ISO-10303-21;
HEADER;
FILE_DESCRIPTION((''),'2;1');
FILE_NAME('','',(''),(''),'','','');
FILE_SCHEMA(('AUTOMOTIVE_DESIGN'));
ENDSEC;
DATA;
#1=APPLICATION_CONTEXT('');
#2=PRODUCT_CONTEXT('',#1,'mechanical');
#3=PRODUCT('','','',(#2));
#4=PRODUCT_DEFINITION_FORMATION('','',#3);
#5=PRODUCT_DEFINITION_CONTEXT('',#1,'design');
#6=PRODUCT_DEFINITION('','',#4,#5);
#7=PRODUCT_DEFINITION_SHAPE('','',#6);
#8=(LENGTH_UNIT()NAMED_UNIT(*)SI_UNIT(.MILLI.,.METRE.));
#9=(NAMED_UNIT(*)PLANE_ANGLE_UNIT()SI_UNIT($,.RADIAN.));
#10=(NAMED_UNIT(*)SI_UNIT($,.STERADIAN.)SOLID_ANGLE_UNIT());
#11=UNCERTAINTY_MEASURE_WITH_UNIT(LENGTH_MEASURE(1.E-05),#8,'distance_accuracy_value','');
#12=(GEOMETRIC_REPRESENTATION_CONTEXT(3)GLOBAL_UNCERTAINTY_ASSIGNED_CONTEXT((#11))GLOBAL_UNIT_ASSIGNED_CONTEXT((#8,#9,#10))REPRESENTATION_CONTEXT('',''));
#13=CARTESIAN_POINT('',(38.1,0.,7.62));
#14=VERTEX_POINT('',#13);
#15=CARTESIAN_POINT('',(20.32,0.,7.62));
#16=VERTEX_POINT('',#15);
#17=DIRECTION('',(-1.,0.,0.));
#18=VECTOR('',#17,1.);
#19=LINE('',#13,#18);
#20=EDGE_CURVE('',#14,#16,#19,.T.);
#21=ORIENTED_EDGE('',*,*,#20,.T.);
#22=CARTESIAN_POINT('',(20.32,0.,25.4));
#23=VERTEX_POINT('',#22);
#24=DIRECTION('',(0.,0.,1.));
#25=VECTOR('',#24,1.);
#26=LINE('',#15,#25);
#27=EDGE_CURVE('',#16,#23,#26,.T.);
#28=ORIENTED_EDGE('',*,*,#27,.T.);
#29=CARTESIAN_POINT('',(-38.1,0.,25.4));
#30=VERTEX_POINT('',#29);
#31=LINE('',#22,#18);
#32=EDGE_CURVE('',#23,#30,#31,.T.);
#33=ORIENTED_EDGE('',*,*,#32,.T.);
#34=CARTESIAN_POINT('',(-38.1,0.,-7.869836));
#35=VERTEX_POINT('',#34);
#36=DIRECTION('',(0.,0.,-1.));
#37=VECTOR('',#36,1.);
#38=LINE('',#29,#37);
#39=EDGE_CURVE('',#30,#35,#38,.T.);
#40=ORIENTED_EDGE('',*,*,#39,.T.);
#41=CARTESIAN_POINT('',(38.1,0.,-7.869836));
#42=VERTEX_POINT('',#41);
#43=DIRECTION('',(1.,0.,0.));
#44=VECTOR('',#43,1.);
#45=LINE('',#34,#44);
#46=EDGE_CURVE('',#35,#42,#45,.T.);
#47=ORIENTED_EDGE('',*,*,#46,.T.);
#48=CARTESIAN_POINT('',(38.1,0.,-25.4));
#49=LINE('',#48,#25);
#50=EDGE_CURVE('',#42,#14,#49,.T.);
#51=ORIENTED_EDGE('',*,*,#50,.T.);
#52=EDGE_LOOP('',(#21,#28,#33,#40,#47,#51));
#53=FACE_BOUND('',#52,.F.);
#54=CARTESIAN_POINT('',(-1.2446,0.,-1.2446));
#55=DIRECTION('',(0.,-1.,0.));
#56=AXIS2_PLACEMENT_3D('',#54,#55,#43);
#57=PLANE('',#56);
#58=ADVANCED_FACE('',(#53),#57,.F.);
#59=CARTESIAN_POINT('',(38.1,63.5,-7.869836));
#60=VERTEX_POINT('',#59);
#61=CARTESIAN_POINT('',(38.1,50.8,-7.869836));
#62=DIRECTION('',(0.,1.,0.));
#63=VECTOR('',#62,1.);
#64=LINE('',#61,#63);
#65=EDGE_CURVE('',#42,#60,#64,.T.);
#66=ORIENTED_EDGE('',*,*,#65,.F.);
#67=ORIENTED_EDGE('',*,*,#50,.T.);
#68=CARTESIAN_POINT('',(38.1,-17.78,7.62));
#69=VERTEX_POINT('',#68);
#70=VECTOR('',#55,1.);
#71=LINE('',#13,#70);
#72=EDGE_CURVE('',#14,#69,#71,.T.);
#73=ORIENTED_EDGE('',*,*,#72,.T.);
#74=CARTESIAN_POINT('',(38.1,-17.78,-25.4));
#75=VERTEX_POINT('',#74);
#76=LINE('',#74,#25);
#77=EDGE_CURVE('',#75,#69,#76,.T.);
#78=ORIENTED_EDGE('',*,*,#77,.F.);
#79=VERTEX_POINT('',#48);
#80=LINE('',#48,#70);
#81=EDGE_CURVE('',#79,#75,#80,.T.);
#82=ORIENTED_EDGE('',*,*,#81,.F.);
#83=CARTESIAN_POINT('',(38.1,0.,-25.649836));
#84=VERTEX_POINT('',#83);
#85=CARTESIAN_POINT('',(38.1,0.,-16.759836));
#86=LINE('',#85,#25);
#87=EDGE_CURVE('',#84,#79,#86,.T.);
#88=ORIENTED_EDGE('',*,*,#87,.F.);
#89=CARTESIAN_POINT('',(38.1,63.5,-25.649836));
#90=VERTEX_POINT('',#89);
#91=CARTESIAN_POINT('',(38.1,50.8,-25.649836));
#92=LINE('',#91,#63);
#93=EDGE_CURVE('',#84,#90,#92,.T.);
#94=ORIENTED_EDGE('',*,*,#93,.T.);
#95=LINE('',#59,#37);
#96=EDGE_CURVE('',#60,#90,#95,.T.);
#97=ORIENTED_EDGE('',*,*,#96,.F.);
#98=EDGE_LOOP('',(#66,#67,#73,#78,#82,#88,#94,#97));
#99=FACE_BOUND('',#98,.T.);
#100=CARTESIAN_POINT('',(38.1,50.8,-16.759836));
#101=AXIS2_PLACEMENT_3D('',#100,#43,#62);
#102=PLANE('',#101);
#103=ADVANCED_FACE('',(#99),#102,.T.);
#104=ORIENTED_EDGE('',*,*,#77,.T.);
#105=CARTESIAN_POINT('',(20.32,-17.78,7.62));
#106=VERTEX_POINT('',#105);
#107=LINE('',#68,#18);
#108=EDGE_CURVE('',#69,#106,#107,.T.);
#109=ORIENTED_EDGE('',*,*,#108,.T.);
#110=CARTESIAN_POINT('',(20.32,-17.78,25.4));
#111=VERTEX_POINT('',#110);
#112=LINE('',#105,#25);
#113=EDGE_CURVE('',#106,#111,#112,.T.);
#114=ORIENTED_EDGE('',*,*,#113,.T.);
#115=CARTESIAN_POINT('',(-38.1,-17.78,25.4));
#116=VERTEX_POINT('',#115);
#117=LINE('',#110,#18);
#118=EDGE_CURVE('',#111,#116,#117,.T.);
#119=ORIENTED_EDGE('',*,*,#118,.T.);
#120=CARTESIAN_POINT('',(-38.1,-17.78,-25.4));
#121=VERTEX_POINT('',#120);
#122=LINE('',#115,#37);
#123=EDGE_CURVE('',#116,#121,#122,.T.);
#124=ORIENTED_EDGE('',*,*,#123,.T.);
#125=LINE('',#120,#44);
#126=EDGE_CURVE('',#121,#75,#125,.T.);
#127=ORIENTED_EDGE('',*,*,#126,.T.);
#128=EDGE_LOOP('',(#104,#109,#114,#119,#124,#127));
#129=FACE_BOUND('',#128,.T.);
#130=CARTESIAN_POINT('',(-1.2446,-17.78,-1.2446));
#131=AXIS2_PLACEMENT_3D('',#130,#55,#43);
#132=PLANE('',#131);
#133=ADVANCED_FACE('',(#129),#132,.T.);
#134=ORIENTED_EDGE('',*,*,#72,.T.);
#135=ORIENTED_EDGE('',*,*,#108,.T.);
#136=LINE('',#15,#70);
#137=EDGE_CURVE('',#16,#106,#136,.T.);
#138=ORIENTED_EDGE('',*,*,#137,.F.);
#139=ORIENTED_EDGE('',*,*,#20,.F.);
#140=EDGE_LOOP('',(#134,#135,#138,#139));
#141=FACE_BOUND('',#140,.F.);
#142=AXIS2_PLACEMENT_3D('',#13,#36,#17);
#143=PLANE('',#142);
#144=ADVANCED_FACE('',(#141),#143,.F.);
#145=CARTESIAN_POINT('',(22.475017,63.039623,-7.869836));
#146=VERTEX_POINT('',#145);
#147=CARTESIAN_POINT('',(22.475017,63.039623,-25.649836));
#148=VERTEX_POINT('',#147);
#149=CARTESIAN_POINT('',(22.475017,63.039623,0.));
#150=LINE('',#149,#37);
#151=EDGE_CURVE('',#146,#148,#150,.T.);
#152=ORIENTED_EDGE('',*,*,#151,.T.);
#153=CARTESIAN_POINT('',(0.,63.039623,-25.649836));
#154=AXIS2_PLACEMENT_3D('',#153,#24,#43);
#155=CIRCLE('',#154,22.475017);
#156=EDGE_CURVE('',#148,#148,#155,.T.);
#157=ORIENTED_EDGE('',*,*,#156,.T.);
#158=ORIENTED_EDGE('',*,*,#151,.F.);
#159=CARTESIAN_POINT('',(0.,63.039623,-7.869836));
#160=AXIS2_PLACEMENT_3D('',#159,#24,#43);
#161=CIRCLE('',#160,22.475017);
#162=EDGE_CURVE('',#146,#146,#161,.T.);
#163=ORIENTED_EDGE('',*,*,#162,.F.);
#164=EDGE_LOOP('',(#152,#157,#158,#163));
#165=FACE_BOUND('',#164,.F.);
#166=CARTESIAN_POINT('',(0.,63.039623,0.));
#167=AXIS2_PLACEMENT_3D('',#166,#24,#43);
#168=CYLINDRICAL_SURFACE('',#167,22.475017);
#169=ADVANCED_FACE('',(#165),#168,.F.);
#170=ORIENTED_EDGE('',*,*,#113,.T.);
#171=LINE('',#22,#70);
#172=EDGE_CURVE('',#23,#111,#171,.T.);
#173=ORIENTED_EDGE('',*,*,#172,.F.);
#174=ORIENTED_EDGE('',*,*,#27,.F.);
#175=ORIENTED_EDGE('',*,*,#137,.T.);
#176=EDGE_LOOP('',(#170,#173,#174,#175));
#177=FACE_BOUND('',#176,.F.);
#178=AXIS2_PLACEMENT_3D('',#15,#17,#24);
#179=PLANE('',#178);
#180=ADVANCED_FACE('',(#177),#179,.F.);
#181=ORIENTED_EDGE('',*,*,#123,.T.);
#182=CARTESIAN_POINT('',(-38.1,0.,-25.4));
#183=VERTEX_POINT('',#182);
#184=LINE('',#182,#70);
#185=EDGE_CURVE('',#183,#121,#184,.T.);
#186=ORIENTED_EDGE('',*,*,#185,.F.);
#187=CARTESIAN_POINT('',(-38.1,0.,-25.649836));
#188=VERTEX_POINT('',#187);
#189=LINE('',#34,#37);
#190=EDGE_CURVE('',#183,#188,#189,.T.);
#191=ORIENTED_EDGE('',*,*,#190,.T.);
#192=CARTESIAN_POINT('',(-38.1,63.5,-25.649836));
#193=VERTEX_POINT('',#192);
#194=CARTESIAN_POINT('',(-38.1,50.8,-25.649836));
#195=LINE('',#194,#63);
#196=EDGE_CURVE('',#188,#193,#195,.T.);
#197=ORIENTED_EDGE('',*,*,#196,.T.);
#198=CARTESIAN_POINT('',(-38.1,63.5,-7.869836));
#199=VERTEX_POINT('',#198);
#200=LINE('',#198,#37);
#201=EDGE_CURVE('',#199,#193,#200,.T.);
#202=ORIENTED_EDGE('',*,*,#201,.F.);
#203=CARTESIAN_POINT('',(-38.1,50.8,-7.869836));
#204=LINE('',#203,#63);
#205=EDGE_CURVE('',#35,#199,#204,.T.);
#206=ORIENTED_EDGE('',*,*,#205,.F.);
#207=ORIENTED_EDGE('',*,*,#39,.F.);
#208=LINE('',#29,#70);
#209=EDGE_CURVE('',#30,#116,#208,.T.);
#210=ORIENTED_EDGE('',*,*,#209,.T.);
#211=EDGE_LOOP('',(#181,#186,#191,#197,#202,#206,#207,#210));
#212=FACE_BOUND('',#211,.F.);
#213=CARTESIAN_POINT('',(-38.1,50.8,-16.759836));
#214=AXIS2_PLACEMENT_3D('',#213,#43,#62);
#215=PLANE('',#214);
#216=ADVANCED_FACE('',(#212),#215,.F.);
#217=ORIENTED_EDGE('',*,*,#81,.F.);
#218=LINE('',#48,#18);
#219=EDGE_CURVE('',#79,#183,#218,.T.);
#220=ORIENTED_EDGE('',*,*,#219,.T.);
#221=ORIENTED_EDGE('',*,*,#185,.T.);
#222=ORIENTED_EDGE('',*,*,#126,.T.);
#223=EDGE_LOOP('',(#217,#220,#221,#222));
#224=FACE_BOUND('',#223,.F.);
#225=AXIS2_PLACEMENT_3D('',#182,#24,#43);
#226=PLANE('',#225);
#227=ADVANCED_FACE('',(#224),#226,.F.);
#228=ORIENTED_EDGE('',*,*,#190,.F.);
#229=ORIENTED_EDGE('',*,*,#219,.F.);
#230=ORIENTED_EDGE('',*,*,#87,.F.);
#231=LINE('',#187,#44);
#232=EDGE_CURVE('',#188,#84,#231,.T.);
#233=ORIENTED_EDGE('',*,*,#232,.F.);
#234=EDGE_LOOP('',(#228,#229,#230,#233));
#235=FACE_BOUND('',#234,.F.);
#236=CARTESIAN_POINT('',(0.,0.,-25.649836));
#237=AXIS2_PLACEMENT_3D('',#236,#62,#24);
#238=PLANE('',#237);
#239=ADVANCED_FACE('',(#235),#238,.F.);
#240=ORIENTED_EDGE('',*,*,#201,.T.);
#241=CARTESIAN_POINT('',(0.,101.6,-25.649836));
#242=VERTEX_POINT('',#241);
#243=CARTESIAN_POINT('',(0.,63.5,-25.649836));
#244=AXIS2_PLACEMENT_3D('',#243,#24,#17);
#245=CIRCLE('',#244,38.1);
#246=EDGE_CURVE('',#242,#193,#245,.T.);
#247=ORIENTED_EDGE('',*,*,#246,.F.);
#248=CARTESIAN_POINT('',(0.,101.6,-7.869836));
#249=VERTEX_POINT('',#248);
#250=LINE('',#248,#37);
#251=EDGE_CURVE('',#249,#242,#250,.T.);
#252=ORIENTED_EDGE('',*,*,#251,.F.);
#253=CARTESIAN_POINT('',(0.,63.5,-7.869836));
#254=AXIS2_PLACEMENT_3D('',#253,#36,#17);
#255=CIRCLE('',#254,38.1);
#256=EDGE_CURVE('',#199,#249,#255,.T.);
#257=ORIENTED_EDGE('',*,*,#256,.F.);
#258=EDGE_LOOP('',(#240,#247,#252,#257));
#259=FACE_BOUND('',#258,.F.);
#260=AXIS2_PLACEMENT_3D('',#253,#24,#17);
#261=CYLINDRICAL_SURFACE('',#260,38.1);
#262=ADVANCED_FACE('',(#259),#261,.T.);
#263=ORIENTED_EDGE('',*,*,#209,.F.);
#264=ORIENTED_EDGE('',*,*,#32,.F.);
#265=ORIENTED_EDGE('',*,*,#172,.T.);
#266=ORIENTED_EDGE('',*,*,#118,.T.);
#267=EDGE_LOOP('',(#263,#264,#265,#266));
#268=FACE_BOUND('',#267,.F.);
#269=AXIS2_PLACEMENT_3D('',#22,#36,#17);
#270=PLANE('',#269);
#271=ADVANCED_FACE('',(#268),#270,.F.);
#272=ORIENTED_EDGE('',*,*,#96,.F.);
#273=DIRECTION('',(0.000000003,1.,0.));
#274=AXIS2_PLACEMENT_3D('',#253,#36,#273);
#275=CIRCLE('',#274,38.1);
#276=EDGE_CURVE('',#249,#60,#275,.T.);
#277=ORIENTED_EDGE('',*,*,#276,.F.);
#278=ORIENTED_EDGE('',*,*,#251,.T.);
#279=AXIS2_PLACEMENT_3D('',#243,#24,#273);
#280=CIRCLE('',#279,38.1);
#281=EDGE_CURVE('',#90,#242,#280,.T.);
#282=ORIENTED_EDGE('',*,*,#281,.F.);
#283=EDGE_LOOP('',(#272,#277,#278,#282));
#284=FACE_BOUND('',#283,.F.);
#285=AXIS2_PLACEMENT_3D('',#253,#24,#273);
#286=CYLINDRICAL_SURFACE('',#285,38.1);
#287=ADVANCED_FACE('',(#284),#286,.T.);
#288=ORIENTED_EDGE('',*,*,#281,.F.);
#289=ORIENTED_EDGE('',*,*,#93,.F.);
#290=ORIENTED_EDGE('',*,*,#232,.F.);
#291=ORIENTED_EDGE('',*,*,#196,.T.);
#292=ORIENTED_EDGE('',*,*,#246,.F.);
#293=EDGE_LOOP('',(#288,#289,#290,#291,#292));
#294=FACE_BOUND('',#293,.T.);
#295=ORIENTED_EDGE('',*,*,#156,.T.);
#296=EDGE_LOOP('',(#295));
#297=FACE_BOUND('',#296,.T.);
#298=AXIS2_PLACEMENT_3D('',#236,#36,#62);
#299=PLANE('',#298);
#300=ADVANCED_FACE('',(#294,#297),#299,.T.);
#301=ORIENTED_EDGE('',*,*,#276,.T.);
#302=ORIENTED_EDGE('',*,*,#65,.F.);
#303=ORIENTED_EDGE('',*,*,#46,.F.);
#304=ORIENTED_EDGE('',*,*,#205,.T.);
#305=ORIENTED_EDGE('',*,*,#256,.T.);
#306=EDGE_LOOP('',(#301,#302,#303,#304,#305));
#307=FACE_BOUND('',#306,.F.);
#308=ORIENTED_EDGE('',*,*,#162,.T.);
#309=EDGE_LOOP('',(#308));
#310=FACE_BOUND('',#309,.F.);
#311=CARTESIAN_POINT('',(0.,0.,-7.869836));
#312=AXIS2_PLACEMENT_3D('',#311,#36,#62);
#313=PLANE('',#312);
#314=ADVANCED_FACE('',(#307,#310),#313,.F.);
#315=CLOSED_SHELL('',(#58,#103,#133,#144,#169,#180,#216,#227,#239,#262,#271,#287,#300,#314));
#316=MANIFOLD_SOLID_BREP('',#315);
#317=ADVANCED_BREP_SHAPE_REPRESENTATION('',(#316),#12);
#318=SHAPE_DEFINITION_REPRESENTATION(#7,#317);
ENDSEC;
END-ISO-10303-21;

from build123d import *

# Parameters (mm, degrees)
F1_DEPTH = 17.78
F2_W     = 101.6
F2_H     = 17.78
F3_DEPTH = 38.1
F4_DEPTH = 38.1
F6_R     = 22.4750173509
F7_DEPTH = 50.8
F8_DEPTH = 50.8
F9_DEPTH = 50.8


with BuildPart() as f1:
    # F0 (on Front) → F1 (new body)
    with BuildSketch(Plane.XZ):
        Polygon((-38.1, -25.4), (38.1, -25.4), (38.1, 7.62), (20.32, 7.62), (20.32, 25.4), (-38.1, 25.4), align=None)
    extrude(amount=F1_DEPTH)

    # F2 (on Right) → F3 (join)
    with BuildSketch(Plane.YZ):
        with Locations((50.8, -16.759835723)):
            Rectangle(F2_W, F2_H)
    extrude(amount=F3_DEPTH)

    # F4 (add): a face of the model
    f4_faces = [f1.faces().sort_by_distance(p)[0] for p in [
        (0, 50.8, -16.759835723),
    ]]
    extrude(f4_faces, amount=F4_DEPTH)

    # F6 (on Top) → F7 (cut)
    with BuildSketch(Plane.XY):
        with Locations((0, 63.0396232009)):
            Circle(F6_R)
    extrude(amount=-F7_DEPTH, mode=Mode.SUBTRACT)

    # F5 (on face) → F8 (cut)
    with BuildSketch(Plane.XY.offset(-7.869835723)):
        with BuildLine():
            ThreePointArc((1.241e-07, 101.6), (26.9407684071, 90.4407683193), (38.1, 63.5))
            Line((38.1, 63.5), (38.1, 101.6))
            Line((38.1, 101.6), (1.241e-07, 101.6))
        make_face()
    extrude(amount=-F8_DEPTH, mode=Mode.SUBTRACT)

    # F5 (on face) → F9 (cut)
    with BuildSketch(Plane.XY.offset(-7.869835723)):
        with BuildLine():
            ThreePointArc((-38.1, 63.5), (-26.9407683193, 90.4407684071), (1.241e-07, 101.6))
            Line((1.241e-07, 101.6), (-38.1, 101.6))
            Line((-38.1, 101.6), (-38.1, 63.5))
        make_face()
    extrude(amount=-F9_DEPTH, mode=Mode.SUBTRACT)


solid = f1.part
